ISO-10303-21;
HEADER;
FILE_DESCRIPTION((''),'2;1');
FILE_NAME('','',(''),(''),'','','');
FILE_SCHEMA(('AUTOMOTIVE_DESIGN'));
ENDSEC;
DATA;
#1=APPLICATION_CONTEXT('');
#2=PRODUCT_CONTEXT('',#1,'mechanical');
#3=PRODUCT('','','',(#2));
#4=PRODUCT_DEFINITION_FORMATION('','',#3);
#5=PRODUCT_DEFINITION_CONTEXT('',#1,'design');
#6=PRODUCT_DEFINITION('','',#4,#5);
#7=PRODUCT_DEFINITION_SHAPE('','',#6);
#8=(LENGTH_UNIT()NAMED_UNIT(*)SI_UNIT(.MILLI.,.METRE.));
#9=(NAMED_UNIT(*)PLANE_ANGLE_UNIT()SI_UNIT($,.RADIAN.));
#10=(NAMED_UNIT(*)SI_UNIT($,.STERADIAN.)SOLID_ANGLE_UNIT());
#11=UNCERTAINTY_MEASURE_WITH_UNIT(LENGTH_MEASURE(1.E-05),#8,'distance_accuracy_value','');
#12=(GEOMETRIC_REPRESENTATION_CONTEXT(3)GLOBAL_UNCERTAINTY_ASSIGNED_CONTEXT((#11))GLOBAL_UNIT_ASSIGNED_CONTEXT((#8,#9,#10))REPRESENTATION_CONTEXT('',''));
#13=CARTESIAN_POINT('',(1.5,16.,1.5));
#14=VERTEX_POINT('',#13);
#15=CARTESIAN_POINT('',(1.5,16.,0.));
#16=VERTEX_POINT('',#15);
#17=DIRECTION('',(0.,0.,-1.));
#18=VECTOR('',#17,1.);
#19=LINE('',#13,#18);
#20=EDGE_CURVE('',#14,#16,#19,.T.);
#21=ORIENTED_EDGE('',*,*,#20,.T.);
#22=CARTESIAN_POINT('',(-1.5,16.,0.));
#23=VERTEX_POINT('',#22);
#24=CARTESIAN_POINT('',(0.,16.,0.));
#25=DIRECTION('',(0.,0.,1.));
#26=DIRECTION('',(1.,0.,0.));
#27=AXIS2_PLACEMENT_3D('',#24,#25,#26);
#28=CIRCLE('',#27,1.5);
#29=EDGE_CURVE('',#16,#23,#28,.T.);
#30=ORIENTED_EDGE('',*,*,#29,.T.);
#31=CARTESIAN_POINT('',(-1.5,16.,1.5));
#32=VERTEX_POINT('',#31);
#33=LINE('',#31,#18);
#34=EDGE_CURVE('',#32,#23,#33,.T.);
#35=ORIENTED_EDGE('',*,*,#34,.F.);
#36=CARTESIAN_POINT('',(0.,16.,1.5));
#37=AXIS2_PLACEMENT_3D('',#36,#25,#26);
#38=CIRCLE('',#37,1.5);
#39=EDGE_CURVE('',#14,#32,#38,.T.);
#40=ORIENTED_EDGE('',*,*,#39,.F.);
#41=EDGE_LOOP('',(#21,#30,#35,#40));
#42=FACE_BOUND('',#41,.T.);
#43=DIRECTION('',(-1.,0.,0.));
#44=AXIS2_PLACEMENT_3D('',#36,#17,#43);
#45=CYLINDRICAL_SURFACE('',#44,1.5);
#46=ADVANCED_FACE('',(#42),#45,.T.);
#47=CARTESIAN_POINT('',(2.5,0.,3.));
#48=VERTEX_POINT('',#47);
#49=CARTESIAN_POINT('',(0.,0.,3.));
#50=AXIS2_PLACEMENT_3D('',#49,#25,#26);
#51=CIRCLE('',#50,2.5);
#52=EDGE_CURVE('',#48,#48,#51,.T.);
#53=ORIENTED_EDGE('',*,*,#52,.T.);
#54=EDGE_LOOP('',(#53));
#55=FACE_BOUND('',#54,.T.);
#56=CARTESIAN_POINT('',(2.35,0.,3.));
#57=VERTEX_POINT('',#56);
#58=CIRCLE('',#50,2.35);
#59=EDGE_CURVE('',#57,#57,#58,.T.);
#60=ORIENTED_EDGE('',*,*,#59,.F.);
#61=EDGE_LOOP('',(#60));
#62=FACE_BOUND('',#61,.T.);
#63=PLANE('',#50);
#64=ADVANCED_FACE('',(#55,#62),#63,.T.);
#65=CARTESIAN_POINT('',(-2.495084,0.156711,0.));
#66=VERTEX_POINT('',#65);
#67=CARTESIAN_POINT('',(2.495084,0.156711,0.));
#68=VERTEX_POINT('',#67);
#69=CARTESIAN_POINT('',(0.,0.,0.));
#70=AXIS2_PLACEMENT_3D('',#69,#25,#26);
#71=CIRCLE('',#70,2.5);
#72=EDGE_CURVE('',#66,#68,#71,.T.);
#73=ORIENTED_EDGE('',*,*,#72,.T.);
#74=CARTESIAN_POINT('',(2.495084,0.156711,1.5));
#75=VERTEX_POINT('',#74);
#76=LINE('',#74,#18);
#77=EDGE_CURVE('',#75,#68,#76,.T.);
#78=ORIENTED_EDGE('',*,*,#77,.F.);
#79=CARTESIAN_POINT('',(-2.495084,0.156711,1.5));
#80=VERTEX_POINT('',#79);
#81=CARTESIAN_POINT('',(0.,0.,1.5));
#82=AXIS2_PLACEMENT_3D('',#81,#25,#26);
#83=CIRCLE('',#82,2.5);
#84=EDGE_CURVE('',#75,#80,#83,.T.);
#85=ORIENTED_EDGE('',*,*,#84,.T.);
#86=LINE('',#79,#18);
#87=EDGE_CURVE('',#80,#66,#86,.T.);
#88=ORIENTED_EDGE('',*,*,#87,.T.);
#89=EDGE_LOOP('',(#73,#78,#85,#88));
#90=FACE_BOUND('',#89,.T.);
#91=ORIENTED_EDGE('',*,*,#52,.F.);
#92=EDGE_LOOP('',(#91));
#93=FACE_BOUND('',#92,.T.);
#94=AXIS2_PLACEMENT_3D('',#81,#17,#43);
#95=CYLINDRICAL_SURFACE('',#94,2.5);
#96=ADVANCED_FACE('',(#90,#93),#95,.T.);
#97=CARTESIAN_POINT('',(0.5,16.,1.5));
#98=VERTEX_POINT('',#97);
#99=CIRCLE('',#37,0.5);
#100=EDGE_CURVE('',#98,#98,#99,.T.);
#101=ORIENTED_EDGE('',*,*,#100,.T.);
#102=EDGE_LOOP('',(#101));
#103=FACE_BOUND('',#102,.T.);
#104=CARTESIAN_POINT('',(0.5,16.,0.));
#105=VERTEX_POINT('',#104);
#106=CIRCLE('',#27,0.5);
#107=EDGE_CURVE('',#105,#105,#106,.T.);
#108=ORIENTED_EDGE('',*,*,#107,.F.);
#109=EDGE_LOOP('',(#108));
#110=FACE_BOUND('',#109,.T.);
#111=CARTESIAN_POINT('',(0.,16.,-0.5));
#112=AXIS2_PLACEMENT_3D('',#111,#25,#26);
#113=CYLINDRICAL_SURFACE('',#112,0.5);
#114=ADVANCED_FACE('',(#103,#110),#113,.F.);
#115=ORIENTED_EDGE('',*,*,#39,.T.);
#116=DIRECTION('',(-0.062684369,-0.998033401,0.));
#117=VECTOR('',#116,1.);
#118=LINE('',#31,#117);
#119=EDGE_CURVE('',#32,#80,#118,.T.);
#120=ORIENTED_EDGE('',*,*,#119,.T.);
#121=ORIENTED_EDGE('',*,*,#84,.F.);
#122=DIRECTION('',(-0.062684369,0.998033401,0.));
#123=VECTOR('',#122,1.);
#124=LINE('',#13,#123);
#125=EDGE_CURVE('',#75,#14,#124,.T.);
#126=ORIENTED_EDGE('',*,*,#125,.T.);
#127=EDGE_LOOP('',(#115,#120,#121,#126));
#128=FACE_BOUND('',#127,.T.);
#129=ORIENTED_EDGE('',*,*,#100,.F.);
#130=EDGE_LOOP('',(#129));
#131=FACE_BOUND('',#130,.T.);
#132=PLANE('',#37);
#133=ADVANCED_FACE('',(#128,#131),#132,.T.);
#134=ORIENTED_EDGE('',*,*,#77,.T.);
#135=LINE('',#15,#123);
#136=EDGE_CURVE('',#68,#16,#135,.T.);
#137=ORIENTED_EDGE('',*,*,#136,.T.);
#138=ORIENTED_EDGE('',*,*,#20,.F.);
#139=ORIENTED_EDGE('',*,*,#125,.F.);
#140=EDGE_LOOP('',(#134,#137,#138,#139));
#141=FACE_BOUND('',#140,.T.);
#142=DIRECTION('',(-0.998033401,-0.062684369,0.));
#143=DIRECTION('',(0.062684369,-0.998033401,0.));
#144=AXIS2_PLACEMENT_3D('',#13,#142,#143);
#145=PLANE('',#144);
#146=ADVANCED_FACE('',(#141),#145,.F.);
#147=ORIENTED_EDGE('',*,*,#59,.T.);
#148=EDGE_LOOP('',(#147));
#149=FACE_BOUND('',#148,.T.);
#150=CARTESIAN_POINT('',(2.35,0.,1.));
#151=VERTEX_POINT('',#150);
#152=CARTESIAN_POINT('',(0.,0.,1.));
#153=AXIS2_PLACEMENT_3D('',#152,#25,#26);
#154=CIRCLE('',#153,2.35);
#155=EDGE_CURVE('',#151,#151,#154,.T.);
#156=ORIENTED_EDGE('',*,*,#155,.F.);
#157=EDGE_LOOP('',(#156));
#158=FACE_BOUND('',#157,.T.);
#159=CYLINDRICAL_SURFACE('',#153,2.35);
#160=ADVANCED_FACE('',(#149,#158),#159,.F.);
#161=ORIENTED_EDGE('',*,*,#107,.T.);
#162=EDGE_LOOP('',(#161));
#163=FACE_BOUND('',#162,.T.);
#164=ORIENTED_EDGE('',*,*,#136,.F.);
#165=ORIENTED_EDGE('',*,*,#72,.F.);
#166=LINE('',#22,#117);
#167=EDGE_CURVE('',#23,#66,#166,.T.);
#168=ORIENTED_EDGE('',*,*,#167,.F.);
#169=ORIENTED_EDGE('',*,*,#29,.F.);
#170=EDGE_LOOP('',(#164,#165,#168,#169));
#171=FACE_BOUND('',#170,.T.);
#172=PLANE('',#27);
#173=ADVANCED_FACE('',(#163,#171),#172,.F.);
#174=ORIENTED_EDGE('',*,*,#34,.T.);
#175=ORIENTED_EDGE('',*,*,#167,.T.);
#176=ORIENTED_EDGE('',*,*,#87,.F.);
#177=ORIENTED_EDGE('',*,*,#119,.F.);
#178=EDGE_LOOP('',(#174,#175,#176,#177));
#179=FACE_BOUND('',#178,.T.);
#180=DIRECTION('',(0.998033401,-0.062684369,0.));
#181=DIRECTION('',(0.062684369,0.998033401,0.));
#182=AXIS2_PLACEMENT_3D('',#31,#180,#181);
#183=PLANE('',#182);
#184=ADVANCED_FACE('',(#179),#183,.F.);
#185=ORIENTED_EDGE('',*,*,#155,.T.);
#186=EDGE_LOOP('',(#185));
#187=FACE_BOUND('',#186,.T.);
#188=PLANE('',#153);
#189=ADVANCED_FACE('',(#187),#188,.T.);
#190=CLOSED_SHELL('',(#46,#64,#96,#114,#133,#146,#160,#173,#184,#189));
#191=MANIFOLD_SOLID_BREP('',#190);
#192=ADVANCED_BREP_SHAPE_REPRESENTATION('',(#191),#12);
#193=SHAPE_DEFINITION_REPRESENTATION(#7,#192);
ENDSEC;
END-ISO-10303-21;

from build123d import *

# Parameters (mm, degrees)
BOSS_EXTRUDE1_DEPTH = 1.5
SKETCH2_R           = 2.5
BOSS_EXTRUDE2_DEPTH = 1.5
SKETCH3_R           = 2.35
CUT_EXTRUDE1_DEPTH  = 2
SKETCH4_R           = 0.5
CUT_EXTRUDE2_DEPTH  = 2


with BuildPart() as part:
    # Sketch1 → Boss-Extrude1 (new body)
    with BuildSketch(Plane.XY):
        with BuildLine():
            Line((-1.5, 16), (-2.495083503, 0.156710922))
            ThreePointArc((-2.495083503, 0.156710922), (0, -2.5), (2.495083503, 0.156710922))
            Line((2.495083503, 0.156710922), (1.5, 16))
            ThreePointArc((1.5, 16), (0, 17.5), (-1.5, 16))
        make_face()
    extrude(amount=BOSS_EXTRUDE1_DEPTH)

    # Sketch2 → Boss-Extrude2 (add)
    with BuildSketch(Plane.XY.offset(1.5)):
        Circle(SKETCH2_R)
    extrude(amount=BOSS_EXTRUDE2_DEPTH)

    # Sketch3 → Cut-Extrude1 (cut)
    with BuildSketch(Plane.XY.offset(3)):
        Circle(SKETCH3_R)
    extrude(amount=-CUT_EXTRUDE1_DEPTH, mode=Mode.SUBTRACT)

    # Sketch4 → Cut-Extrude2 (cut)
    with BuildSketch(Plane.XY.offset(1.5)):
        with Locations((0, 16)):
            Circle(SKETCH4_R)
    extrude(amount=-CUT_EXTRUDE2_DEPTH, mode=Mode.SUBTRACT)


solid = part.part
